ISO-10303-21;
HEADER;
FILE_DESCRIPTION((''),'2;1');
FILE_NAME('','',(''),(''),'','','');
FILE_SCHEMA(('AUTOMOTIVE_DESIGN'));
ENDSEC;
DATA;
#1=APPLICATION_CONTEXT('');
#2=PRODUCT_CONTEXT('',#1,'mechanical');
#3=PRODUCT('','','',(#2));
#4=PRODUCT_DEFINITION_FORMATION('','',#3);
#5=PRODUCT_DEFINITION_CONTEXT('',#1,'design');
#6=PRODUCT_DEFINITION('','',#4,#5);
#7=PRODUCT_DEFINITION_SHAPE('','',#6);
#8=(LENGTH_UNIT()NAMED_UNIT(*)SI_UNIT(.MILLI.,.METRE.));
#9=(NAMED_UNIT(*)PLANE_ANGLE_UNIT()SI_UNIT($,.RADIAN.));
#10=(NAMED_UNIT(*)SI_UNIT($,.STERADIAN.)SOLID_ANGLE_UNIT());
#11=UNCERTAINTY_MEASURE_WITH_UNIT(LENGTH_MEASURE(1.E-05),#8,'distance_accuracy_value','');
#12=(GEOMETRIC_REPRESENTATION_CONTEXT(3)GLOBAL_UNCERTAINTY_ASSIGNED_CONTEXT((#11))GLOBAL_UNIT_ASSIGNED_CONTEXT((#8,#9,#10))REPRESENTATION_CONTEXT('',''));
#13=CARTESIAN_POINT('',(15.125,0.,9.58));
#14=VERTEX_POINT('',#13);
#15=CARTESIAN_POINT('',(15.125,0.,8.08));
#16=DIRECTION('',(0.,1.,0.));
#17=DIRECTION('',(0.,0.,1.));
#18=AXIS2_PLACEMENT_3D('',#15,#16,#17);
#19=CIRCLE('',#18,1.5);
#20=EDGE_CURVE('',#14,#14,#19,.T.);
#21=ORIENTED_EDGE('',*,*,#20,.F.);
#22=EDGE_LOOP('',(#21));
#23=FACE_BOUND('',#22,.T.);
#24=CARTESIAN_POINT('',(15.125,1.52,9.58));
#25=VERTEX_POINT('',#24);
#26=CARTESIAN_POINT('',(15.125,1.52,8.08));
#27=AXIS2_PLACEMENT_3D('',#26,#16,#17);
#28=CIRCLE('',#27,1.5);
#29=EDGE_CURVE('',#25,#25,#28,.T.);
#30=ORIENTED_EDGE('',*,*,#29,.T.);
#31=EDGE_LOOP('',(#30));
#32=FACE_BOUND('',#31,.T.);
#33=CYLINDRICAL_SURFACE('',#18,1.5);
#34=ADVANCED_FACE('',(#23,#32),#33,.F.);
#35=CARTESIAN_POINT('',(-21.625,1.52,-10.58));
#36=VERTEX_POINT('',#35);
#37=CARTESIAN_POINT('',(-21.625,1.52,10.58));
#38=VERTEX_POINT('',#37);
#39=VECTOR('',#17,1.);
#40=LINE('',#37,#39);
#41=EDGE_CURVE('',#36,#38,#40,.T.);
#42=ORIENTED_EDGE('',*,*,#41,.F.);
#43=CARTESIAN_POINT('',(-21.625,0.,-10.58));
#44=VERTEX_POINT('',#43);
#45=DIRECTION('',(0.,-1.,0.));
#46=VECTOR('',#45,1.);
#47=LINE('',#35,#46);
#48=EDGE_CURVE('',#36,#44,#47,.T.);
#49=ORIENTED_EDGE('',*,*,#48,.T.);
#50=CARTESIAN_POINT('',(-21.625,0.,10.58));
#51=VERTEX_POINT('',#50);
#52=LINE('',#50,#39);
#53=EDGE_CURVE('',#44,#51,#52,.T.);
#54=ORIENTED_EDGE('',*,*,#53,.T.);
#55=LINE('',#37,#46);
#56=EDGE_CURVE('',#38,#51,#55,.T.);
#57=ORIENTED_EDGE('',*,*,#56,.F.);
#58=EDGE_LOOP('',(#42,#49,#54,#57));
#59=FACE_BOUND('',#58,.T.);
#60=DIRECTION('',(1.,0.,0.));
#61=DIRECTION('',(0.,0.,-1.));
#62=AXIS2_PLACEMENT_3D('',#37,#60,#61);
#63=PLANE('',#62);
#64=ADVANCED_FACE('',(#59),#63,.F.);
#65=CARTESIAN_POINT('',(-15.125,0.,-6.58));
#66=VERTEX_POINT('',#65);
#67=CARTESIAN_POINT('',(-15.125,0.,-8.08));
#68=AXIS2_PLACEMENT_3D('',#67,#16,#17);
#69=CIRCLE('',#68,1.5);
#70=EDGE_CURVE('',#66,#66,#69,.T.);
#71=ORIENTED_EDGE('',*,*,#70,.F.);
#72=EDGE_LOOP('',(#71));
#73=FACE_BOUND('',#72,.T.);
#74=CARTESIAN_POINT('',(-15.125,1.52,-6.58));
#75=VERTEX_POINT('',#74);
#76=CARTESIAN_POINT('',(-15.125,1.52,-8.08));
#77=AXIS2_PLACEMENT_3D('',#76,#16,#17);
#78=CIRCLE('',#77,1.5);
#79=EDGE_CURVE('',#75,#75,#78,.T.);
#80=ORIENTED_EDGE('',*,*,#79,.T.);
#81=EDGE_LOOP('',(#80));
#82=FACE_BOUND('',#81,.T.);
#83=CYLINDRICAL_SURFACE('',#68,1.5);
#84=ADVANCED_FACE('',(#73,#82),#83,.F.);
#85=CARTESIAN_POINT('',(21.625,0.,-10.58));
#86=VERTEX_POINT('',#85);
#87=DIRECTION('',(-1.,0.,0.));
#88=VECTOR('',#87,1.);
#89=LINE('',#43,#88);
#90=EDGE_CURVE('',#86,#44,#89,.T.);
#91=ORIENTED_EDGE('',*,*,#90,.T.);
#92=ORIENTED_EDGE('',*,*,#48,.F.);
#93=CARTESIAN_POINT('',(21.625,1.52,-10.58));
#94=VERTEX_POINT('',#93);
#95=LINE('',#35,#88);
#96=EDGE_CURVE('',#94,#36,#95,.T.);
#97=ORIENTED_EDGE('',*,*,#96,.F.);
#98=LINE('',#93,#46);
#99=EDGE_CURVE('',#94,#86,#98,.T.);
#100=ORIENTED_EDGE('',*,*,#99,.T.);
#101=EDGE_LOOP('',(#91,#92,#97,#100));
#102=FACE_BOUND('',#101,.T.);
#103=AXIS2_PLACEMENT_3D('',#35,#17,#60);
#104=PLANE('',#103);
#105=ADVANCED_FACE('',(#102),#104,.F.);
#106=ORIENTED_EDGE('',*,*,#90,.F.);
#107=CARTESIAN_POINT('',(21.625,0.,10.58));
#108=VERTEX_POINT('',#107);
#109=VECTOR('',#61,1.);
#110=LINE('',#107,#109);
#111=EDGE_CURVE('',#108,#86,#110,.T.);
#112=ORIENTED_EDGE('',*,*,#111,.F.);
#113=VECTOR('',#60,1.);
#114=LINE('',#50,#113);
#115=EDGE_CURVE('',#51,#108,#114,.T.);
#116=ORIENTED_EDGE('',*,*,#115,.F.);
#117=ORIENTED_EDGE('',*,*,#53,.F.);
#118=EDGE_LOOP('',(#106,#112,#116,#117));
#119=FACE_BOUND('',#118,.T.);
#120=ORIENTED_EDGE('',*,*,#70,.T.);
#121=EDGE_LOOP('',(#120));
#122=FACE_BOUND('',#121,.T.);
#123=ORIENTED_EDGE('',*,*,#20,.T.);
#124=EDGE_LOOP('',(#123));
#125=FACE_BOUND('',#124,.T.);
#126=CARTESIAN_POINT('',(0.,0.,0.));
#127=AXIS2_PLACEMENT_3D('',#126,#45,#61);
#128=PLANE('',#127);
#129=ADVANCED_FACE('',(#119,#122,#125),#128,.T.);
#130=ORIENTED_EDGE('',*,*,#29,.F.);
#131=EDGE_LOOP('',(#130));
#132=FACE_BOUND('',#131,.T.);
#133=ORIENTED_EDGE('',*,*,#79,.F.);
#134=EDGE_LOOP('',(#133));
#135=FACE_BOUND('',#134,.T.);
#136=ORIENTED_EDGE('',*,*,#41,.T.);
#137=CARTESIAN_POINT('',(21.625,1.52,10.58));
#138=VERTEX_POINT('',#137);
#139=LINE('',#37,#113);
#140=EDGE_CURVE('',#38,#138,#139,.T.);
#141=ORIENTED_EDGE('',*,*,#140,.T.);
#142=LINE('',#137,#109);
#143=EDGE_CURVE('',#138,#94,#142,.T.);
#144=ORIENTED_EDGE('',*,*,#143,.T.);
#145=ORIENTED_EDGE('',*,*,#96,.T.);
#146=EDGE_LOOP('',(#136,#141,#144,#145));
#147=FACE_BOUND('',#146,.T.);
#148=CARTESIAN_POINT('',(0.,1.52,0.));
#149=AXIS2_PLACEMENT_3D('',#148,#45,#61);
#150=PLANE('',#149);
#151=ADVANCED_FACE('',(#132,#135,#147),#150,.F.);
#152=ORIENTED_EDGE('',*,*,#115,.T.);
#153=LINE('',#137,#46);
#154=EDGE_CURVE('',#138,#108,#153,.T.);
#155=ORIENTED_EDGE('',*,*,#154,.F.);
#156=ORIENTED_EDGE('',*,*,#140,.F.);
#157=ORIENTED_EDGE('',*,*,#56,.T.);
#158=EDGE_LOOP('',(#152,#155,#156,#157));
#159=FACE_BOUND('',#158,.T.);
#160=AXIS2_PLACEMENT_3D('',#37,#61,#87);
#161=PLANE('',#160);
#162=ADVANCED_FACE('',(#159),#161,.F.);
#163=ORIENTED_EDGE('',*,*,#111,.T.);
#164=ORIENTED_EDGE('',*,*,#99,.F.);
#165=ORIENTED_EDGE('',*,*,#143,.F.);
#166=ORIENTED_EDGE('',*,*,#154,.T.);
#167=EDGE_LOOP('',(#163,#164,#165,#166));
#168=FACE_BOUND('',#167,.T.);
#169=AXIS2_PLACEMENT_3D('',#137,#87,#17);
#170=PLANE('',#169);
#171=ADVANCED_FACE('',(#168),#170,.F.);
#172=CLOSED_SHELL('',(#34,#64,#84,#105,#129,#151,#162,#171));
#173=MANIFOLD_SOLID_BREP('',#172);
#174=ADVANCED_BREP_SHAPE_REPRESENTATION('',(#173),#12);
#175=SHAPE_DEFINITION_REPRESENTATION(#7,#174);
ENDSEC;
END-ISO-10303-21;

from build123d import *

# Parameters (mm, degrees)
SKETCH1_W           = 43.25
SKETCH1_H           = 21.16
BOSS_EXTRUDE1_DEPTH = 1.52
SKETCH2_R           = 1.5
CUT_EXTRUDE1_DEPTH  = 25.122342859


with BuildPart() as part:
    # Sketch1 → Boss-Extrude1 (new body)
    with BuildSketch(Plane(origin=(0, 0, 0), x_dir=(1, 0, 0), z_dir=(0, 1, 0))):
        Rectangle(SKETCH1_W, SKETCH1_H)
    extrude(amount=BOSS_EXTRUDE1_DEPTH)

    # Sketch2 → Cut-Extrude1 (cut, through all)
    with BuildSketch(Plane(origin=(0, 1.52, 0), x_dir=(1, 0, 0), z_dir=(0, 1, 0))):
        with Locations(Location((-15.125, 8.08, 0), (0, 0, 270))):
            Circle(SKETCH2_R)
        with Locations(Location((15.125, -8.08, 0), (0, 0, 270))):
            Circle(SKETCH2_R)
    extrude(amount=-CUT_EXTRUDE1_DEPTH, mode=Mode.SUBTRACT)


solid = part.part
